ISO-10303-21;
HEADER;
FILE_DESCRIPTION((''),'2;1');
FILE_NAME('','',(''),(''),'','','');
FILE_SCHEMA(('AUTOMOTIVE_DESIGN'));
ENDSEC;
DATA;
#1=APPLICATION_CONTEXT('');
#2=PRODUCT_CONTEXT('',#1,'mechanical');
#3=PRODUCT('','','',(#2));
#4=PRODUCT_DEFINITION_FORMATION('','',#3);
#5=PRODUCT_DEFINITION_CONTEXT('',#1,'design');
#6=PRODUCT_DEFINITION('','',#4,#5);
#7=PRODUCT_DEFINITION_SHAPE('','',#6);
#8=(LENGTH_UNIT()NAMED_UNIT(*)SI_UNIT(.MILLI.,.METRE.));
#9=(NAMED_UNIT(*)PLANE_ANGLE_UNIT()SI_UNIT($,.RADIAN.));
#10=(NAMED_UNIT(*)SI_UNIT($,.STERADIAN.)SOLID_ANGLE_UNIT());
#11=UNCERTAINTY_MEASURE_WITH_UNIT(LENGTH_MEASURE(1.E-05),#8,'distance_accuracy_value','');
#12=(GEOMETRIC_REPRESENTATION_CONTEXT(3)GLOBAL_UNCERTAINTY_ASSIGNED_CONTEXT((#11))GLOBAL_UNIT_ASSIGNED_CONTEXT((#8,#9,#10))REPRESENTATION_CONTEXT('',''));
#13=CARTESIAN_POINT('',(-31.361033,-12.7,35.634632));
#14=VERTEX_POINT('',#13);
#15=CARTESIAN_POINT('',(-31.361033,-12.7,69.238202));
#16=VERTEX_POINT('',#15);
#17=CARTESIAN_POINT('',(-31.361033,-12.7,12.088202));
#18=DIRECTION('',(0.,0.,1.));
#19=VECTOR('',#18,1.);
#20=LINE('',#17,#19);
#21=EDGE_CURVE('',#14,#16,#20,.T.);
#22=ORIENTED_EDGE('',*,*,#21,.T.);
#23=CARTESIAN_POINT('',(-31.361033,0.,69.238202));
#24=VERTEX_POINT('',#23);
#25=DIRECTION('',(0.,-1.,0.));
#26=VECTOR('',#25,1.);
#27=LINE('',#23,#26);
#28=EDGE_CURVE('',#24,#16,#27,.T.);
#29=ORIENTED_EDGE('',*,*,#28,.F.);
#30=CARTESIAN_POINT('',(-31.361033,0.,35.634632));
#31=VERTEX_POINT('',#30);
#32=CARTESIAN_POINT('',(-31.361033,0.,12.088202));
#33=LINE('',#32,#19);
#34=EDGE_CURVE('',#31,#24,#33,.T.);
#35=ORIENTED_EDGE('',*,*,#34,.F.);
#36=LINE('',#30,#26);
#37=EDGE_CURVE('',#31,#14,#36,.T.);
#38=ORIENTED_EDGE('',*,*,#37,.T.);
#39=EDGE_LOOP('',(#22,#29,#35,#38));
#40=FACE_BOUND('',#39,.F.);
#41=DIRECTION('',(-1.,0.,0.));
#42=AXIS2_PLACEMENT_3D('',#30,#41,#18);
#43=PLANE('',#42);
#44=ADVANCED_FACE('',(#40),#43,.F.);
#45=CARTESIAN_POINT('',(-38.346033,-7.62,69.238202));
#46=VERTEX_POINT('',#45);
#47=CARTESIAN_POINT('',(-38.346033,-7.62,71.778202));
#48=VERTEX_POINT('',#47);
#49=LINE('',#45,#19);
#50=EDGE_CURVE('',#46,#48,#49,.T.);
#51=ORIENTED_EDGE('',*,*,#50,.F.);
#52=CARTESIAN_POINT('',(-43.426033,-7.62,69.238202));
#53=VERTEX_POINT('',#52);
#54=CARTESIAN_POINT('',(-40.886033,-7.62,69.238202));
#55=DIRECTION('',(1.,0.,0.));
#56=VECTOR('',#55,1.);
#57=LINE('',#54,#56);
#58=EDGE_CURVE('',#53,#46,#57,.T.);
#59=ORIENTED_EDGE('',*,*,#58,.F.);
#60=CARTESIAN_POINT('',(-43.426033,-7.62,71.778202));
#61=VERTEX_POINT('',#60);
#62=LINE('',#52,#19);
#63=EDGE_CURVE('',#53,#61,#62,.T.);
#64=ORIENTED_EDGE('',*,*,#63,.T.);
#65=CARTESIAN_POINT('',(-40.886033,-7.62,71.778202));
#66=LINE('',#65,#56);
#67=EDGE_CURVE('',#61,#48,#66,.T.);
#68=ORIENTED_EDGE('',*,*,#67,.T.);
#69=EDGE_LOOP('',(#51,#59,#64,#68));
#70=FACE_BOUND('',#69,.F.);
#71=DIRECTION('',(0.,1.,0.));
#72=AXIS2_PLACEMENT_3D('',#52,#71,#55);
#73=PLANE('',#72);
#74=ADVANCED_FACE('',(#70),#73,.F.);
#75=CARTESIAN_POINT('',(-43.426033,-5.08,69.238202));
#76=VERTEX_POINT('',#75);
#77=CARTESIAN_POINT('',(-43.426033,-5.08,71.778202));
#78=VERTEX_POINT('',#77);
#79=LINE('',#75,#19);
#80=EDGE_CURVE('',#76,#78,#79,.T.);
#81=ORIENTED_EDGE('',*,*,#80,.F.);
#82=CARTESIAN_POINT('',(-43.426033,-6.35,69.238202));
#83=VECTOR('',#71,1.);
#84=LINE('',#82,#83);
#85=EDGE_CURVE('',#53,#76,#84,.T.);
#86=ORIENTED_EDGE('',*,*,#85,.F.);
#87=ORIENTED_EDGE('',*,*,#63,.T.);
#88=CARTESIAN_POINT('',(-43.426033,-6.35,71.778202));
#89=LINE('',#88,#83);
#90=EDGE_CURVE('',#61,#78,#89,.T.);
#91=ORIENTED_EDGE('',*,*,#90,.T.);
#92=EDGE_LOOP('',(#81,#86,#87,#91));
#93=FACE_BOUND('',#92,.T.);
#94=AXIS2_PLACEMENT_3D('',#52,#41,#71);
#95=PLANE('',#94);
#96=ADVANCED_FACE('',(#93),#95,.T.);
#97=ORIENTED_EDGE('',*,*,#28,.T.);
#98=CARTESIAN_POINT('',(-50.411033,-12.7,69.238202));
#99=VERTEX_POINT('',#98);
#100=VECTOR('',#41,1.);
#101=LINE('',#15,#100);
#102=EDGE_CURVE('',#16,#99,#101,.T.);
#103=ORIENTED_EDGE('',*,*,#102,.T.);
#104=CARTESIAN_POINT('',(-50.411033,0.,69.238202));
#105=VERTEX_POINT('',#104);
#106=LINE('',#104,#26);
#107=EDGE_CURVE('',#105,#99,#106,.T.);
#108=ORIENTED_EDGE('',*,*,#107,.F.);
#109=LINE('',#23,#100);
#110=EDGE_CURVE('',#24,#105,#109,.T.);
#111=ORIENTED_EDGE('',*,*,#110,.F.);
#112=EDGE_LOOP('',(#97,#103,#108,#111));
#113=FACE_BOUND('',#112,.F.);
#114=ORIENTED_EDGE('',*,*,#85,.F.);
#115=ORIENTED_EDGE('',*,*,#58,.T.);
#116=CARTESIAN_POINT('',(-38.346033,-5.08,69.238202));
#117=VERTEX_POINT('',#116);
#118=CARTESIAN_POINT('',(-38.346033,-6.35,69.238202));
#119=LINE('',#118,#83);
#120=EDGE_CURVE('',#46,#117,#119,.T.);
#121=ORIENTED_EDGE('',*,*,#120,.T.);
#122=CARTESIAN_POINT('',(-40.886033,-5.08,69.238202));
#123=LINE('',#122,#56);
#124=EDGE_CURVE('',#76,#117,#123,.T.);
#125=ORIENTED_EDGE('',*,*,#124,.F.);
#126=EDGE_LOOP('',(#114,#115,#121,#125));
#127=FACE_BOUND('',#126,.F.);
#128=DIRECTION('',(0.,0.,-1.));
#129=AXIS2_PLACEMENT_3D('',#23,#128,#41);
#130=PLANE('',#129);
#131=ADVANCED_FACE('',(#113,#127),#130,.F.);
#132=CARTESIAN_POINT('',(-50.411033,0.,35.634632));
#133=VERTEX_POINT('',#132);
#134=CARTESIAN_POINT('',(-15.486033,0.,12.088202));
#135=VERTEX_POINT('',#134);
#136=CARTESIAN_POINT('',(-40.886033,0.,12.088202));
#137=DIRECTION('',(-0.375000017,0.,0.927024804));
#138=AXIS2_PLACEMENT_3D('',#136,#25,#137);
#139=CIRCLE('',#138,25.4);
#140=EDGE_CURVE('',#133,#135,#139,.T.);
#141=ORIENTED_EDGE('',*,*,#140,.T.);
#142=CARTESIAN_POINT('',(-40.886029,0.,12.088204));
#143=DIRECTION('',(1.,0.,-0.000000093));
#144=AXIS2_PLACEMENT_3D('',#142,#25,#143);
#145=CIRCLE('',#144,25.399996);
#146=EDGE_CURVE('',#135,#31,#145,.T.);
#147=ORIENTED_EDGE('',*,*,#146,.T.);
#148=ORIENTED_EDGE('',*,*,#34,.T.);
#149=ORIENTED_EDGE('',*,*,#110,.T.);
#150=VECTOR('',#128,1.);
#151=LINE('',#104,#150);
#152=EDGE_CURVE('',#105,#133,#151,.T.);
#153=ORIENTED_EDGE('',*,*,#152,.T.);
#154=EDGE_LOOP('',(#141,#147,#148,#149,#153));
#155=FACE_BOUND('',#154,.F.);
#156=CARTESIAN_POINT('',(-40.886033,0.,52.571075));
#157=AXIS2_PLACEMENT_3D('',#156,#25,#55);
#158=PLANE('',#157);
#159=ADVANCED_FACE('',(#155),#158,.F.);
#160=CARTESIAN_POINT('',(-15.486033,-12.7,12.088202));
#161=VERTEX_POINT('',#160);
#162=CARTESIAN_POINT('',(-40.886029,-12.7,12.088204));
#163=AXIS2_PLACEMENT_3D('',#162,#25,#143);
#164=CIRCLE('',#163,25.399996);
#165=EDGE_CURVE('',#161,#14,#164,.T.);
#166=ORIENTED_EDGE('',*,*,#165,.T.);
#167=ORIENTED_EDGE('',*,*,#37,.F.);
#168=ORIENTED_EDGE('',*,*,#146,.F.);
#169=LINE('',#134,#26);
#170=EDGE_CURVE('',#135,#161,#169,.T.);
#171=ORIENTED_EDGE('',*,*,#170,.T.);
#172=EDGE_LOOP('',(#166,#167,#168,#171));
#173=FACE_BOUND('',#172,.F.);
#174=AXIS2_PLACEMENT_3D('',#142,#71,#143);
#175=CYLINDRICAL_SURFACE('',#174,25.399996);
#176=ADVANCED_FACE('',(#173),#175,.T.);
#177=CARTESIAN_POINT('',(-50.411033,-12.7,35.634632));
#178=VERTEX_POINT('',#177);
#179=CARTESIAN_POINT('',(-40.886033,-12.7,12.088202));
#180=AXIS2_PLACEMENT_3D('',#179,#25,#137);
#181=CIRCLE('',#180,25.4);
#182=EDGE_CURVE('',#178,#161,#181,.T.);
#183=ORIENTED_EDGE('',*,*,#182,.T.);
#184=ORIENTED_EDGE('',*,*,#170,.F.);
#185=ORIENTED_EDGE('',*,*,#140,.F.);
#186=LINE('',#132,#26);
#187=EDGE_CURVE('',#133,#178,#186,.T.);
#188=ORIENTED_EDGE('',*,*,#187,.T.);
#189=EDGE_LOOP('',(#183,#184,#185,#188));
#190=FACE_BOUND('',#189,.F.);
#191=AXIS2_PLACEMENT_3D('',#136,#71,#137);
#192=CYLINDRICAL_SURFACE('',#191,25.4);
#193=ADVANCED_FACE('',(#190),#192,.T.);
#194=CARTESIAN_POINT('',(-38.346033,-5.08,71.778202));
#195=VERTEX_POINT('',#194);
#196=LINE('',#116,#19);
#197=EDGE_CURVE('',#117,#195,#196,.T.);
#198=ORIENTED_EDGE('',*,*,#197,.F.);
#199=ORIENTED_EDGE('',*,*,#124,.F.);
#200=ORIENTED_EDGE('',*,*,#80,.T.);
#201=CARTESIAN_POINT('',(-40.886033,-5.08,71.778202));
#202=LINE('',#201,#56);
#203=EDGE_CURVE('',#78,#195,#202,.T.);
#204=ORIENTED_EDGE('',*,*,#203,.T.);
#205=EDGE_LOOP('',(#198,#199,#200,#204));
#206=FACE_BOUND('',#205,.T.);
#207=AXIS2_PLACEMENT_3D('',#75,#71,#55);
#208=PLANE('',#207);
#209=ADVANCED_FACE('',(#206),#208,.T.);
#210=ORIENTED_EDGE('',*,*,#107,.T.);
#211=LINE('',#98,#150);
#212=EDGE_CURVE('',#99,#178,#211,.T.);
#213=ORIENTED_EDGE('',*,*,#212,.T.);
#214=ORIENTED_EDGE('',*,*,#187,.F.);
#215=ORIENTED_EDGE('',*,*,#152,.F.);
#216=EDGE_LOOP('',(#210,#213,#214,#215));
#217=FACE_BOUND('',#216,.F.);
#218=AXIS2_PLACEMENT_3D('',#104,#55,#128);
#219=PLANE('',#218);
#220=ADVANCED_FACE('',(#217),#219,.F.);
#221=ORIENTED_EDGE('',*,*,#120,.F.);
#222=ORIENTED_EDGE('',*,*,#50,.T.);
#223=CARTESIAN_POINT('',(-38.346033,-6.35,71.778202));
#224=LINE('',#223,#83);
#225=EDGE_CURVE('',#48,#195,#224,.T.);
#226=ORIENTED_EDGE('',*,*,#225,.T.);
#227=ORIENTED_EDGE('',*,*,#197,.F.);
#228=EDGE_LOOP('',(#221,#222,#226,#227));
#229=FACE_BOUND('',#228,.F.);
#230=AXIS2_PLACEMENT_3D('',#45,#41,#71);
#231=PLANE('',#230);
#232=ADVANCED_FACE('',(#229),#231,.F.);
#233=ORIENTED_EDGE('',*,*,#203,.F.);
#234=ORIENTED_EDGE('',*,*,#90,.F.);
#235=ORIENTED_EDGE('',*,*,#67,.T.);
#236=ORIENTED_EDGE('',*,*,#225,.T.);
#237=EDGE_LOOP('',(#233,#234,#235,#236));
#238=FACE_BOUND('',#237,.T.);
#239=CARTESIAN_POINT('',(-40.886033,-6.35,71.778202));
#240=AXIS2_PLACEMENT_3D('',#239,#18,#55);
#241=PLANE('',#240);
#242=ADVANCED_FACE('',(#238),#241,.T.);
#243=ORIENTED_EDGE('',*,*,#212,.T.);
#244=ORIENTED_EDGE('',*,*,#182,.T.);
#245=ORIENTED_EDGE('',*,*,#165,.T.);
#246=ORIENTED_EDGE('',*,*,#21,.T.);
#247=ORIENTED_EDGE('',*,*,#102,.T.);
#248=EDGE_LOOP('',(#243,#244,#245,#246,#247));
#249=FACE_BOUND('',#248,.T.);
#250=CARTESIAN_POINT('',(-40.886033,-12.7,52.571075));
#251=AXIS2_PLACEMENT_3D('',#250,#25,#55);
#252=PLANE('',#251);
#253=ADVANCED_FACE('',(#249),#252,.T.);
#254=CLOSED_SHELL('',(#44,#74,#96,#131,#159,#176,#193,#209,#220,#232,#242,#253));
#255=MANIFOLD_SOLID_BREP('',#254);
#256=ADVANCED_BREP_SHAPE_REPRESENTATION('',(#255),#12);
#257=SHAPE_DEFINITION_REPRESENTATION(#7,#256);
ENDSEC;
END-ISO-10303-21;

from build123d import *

# Parameters (mm, degrees)
F0_DEPTH = 12.7
F1_W     = 5.08
F1_H     = 2.54
F2_DEPTH = 2.54


with BuildPart() as f0:
    # F3 (on Front) → F0 (new body)
    with BuildSketch(Plane.XZ):
        with BuildLine():
            Line((-31.361033, 69.238202), (-50.411033, 69.238202))
            Line((-50.411033, 69.238202), (-50.411033, 35.634632))
            ThreePointArc((-50.411033, 35.634632), (-40.886033, 37.488202), (-31.361033, 35.634632))
            Line((-31.361033, 35.634632), (-31.361033, 69.238202))
        make_face()
        with BuildLine():
            ThreePointArc((-31.361033, 35.634632), (-40.886033, 37.488202), (-50.411033, 35.634632))
            Line((-50.411033, 35.634632), (-50.411033, 12.088202))
            Line((-50.411033, 12.088202), (-31.361033, 12.088202))
            Line((-31.361033, 12.088202), (-31.361033, 35.634632))
        make_face()
        with BuildLine():
            Line((-50.411033, 12.088202), (-50.411033, 35.634632))
            ThreePointArc((-50.411033, 35.634632), (-55.085064, -8.972365), (-15.486033, 12.088202))
            ThreePointArc((-15.486033, 12.088202), (-19.825465, 26.287234), (-31.361033, 35.634632))
            Line((-31.361033, 35.634632), (-31.361033, 12.088202))
            Line((-31.361033, 12.088202), (-50.411033, 12.088202))
        make_face()
    extrude(amount=F0_DEPTH)

    # F1 (on face) → F2 (join)
    with BuildSketch(Plane.XY.offset(69.238202)):
        with Locations((-40.886033, -6.35)):
            Rectangle(F1_W, F1_H)
    extrude(amount=F2_DEPTH)


solid = f0.part
